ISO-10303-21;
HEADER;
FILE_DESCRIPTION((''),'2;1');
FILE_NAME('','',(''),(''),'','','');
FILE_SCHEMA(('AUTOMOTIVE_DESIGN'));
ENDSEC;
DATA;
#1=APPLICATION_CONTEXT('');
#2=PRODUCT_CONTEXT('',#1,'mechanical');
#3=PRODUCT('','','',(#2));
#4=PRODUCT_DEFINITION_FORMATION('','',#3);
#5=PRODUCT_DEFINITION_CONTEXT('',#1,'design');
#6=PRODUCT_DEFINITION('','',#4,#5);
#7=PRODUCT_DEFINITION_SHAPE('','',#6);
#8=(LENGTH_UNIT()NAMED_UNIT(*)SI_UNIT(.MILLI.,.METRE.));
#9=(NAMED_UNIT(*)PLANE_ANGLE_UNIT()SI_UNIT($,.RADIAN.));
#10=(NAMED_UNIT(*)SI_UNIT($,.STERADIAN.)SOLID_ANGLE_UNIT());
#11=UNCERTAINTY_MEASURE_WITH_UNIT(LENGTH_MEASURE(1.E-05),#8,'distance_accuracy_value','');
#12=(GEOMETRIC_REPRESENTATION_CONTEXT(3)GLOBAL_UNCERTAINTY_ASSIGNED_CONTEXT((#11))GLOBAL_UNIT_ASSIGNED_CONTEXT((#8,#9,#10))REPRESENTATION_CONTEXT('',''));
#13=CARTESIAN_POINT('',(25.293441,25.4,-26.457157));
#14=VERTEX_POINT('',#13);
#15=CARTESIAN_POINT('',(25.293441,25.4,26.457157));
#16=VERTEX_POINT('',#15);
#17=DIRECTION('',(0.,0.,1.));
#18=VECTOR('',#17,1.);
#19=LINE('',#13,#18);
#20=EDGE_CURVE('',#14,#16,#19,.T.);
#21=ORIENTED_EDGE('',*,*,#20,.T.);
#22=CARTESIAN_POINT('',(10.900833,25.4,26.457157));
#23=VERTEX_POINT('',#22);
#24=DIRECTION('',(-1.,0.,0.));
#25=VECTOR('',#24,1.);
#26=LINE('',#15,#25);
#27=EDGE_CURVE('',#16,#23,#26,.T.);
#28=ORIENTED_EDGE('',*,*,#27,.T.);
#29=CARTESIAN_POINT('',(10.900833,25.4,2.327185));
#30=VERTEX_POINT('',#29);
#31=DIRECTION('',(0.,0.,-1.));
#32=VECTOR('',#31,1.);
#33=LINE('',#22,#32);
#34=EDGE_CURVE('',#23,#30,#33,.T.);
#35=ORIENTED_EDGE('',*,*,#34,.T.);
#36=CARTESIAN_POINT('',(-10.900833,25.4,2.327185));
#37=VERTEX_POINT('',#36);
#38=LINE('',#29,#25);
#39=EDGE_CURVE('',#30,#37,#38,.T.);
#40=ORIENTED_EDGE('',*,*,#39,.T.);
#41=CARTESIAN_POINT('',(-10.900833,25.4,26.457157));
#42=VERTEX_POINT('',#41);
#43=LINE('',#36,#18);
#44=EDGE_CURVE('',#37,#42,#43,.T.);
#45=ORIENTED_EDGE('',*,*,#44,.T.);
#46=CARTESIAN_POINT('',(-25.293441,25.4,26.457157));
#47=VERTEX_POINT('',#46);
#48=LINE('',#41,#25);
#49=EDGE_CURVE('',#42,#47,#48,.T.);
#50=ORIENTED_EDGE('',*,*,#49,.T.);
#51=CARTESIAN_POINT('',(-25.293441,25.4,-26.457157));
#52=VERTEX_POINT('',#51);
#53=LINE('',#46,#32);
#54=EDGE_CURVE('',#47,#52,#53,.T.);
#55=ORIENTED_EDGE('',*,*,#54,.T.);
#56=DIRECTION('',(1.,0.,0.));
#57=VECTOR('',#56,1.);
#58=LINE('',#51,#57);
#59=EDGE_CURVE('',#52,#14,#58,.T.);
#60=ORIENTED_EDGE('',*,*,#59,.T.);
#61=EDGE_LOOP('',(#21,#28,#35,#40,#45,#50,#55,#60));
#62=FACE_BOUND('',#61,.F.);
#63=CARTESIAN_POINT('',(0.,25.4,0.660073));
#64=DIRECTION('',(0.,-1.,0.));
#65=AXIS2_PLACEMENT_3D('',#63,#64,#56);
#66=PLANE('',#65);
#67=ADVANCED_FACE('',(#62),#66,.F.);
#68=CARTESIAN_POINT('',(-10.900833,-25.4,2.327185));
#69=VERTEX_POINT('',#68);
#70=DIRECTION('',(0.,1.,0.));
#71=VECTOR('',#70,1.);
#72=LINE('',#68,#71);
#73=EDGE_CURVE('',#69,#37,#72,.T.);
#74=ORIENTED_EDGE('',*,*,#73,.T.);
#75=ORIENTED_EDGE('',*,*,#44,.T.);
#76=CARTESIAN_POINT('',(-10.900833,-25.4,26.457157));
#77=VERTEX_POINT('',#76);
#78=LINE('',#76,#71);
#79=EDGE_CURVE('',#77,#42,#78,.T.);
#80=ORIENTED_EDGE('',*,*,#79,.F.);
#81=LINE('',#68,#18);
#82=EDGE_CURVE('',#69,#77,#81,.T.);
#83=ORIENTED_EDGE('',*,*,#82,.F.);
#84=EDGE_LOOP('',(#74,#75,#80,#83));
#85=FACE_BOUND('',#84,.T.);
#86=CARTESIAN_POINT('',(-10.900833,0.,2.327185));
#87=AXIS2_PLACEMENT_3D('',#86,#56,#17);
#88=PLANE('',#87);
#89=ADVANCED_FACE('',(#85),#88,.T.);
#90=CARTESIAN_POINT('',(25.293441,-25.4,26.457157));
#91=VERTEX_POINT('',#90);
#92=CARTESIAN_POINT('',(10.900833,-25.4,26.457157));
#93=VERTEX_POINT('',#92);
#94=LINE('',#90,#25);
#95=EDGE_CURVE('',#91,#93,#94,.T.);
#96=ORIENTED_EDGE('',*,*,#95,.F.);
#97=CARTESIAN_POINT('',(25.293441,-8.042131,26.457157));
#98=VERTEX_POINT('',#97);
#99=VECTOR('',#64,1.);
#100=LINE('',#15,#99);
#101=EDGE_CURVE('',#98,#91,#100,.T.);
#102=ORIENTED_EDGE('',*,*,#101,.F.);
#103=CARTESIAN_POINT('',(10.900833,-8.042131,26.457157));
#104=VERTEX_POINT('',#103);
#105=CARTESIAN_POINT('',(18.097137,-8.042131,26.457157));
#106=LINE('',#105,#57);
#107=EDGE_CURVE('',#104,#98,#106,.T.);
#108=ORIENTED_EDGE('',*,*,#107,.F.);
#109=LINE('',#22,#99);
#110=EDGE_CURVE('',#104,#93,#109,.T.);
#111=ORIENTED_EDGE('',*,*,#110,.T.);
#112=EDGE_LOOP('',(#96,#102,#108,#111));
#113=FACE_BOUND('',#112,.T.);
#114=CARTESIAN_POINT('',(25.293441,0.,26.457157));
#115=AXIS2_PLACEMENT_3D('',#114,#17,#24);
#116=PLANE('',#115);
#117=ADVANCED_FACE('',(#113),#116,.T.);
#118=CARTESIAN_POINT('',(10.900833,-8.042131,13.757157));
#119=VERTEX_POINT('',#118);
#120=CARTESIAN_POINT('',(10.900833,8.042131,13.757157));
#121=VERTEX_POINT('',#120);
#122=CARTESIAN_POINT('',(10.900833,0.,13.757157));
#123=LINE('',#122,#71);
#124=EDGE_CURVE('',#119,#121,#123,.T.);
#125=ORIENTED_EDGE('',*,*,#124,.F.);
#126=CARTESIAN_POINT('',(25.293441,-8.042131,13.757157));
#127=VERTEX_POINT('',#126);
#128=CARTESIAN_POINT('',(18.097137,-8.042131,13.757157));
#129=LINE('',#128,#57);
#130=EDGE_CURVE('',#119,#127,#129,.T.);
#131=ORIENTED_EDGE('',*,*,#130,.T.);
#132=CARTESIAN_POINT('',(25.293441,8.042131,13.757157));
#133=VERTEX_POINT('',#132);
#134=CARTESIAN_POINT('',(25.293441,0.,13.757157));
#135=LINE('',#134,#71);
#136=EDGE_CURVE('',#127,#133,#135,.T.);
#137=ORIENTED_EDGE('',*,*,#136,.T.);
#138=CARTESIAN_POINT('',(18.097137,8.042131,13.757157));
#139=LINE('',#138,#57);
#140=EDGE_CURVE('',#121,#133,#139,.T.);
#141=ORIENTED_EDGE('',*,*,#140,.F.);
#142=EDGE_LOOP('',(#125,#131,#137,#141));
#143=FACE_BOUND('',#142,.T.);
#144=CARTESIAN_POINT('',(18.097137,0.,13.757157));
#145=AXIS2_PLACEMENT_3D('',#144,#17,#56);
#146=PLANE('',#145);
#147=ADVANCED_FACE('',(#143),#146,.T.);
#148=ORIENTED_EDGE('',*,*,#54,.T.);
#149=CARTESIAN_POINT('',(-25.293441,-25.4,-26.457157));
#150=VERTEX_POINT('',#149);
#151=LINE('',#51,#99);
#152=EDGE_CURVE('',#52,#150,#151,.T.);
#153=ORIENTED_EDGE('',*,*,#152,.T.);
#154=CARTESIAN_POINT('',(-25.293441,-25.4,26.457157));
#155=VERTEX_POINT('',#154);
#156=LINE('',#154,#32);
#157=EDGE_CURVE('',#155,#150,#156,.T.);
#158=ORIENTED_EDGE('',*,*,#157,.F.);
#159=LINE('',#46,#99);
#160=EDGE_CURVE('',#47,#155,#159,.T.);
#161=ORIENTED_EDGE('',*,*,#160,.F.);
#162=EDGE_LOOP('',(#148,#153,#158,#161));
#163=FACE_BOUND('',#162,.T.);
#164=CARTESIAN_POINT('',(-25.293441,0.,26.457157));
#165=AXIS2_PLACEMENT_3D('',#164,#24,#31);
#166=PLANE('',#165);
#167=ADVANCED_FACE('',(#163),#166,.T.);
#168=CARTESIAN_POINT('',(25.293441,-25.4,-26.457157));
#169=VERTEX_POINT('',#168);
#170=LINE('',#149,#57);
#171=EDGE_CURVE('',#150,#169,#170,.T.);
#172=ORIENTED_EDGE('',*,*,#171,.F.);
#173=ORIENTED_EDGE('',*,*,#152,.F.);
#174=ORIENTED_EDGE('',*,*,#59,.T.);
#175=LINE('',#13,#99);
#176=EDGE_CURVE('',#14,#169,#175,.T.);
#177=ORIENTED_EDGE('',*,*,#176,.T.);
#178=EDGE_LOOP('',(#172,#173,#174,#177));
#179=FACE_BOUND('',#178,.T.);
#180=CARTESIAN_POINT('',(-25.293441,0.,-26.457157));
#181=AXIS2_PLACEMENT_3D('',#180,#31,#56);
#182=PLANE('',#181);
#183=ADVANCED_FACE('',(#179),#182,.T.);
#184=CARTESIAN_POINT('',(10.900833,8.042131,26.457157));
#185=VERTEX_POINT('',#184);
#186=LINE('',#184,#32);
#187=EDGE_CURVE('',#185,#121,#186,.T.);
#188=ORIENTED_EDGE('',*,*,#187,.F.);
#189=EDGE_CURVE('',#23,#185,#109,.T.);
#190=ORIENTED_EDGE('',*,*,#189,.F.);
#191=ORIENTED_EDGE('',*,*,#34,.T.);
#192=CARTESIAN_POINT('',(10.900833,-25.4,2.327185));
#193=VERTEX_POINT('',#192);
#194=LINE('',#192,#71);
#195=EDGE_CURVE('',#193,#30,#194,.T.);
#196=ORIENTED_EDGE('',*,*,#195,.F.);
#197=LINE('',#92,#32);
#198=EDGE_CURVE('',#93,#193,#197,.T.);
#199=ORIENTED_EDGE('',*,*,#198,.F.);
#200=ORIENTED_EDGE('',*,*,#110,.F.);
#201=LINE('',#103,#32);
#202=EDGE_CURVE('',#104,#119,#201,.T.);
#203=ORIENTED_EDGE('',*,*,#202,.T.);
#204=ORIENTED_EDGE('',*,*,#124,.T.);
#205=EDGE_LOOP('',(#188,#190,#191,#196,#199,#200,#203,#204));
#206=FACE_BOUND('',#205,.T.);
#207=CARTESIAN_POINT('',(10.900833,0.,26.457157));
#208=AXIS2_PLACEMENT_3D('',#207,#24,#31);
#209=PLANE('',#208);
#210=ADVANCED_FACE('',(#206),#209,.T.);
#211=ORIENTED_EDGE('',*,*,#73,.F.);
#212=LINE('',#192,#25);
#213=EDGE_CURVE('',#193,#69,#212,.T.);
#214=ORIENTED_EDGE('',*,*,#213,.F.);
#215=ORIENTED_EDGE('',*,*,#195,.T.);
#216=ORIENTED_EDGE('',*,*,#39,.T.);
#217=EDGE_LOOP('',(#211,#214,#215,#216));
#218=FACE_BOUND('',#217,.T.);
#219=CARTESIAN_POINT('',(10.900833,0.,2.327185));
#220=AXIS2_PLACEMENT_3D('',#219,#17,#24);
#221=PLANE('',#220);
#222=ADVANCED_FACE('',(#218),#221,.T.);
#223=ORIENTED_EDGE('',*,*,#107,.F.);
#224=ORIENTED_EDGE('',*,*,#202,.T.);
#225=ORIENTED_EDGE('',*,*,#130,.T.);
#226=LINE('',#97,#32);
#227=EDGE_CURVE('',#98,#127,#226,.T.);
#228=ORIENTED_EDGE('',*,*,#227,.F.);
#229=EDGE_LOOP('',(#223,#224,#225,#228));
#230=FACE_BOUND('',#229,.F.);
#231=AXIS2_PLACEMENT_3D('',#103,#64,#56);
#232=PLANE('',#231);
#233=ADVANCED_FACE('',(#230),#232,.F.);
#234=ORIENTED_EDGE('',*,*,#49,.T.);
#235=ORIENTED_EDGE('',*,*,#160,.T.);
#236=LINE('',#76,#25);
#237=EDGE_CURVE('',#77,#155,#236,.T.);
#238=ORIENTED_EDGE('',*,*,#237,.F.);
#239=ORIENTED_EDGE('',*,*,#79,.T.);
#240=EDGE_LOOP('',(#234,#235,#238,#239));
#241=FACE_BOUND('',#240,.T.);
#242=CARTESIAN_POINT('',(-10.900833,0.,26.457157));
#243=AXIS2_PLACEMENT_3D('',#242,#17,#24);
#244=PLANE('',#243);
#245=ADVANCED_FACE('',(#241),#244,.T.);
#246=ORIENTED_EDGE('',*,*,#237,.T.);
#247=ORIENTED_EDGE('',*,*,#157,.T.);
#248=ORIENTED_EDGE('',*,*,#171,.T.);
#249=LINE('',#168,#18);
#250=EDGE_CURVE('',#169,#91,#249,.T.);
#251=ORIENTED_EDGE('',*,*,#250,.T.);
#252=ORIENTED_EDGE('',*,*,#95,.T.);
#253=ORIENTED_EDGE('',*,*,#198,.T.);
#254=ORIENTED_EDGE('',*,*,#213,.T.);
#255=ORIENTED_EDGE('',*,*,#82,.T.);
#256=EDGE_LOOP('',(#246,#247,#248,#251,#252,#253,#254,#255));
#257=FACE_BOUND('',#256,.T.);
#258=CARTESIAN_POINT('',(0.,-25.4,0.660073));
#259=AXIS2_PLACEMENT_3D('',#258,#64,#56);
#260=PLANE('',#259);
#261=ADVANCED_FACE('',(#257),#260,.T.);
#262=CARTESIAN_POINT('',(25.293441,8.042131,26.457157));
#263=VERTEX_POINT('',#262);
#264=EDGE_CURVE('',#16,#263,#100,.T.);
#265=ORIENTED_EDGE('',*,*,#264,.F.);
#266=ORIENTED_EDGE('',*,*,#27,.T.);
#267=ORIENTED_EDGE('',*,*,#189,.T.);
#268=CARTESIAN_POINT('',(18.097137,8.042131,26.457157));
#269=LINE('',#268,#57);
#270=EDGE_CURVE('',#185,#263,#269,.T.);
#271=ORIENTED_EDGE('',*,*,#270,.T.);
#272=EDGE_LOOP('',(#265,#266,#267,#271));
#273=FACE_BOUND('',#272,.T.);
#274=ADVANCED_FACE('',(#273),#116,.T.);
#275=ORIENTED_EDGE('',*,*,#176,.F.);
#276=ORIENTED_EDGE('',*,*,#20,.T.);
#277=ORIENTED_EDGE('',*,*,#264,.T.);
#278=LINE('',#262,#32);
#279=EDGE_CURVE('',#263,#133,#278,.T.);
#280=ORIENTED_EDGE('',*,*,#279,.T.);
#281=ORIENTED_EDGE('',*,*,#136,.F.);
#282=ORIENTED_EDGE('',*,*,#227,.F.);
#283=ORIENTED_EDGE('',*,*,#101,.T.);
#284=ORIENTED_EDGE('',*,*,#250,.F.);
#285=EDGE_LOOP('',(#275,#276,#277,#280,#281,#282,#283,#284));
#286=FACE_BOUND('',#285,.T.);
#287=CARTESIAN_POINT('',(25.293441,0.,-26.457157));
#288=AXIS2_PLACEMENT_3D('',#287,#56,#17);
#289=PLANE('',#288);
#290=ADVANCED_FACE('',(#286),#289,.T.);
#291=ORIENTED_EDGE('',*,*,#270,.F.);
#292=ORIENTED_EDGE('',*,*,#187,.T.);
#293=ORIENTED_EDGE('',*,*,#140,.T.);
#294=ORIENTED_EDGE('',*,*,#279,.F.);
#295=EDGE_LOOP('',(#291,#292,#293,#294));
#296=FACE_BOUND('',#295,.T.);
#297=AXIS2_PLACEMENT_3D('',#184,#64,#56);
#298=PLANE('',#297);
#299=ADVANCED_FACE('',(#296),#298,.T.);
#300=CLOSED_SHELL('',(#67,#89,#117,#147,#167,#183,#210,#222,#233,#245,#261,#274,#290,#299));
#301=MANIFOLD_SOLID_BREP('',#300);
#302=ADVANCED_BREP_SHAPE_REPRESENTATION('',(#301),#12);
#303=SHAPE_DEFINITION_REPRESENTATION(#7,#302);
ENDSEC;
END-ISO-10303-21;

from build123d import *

# Parameters (mm, degrees)
F1_DEPTH      = 25.4
F1_DEPTH_BACK = 25.4
F2_W          = 14.392608
F2_H          = 16.084262
F3_DEPTH      = 12.7


with BuildPart() as f1:
    # F0 (on Front) → F1 (new body, two sides)
    with BuildSketch(Plane.XZ) as f1_sk:
        Polygon((-10.900833, 26.457157), (-25.293441, 26.457157), (-25.293441, -26.457157), (25.293441, -26.457157), (25.293441, 26.457157), (10.900833, 26.457157), (10.900833, 2.327185), (-10.900833, 2.327185), align=None)
    extrude(amount=F1_DEPTH)
    extrude(f1_sk.sketch, amount=-F1_DEPTH_BACK)

    # F2 (on face) → F3 (cut)
    with BuildSketch(Plane.XY.offset(26.457157)):
        with Locations((18.097137, 0)):
            Rectangle(F2_W, F2_H)
    extrude(amount=-F3_DEPTH, mode=Mode.SUBTRACT)


solid = f1.part
